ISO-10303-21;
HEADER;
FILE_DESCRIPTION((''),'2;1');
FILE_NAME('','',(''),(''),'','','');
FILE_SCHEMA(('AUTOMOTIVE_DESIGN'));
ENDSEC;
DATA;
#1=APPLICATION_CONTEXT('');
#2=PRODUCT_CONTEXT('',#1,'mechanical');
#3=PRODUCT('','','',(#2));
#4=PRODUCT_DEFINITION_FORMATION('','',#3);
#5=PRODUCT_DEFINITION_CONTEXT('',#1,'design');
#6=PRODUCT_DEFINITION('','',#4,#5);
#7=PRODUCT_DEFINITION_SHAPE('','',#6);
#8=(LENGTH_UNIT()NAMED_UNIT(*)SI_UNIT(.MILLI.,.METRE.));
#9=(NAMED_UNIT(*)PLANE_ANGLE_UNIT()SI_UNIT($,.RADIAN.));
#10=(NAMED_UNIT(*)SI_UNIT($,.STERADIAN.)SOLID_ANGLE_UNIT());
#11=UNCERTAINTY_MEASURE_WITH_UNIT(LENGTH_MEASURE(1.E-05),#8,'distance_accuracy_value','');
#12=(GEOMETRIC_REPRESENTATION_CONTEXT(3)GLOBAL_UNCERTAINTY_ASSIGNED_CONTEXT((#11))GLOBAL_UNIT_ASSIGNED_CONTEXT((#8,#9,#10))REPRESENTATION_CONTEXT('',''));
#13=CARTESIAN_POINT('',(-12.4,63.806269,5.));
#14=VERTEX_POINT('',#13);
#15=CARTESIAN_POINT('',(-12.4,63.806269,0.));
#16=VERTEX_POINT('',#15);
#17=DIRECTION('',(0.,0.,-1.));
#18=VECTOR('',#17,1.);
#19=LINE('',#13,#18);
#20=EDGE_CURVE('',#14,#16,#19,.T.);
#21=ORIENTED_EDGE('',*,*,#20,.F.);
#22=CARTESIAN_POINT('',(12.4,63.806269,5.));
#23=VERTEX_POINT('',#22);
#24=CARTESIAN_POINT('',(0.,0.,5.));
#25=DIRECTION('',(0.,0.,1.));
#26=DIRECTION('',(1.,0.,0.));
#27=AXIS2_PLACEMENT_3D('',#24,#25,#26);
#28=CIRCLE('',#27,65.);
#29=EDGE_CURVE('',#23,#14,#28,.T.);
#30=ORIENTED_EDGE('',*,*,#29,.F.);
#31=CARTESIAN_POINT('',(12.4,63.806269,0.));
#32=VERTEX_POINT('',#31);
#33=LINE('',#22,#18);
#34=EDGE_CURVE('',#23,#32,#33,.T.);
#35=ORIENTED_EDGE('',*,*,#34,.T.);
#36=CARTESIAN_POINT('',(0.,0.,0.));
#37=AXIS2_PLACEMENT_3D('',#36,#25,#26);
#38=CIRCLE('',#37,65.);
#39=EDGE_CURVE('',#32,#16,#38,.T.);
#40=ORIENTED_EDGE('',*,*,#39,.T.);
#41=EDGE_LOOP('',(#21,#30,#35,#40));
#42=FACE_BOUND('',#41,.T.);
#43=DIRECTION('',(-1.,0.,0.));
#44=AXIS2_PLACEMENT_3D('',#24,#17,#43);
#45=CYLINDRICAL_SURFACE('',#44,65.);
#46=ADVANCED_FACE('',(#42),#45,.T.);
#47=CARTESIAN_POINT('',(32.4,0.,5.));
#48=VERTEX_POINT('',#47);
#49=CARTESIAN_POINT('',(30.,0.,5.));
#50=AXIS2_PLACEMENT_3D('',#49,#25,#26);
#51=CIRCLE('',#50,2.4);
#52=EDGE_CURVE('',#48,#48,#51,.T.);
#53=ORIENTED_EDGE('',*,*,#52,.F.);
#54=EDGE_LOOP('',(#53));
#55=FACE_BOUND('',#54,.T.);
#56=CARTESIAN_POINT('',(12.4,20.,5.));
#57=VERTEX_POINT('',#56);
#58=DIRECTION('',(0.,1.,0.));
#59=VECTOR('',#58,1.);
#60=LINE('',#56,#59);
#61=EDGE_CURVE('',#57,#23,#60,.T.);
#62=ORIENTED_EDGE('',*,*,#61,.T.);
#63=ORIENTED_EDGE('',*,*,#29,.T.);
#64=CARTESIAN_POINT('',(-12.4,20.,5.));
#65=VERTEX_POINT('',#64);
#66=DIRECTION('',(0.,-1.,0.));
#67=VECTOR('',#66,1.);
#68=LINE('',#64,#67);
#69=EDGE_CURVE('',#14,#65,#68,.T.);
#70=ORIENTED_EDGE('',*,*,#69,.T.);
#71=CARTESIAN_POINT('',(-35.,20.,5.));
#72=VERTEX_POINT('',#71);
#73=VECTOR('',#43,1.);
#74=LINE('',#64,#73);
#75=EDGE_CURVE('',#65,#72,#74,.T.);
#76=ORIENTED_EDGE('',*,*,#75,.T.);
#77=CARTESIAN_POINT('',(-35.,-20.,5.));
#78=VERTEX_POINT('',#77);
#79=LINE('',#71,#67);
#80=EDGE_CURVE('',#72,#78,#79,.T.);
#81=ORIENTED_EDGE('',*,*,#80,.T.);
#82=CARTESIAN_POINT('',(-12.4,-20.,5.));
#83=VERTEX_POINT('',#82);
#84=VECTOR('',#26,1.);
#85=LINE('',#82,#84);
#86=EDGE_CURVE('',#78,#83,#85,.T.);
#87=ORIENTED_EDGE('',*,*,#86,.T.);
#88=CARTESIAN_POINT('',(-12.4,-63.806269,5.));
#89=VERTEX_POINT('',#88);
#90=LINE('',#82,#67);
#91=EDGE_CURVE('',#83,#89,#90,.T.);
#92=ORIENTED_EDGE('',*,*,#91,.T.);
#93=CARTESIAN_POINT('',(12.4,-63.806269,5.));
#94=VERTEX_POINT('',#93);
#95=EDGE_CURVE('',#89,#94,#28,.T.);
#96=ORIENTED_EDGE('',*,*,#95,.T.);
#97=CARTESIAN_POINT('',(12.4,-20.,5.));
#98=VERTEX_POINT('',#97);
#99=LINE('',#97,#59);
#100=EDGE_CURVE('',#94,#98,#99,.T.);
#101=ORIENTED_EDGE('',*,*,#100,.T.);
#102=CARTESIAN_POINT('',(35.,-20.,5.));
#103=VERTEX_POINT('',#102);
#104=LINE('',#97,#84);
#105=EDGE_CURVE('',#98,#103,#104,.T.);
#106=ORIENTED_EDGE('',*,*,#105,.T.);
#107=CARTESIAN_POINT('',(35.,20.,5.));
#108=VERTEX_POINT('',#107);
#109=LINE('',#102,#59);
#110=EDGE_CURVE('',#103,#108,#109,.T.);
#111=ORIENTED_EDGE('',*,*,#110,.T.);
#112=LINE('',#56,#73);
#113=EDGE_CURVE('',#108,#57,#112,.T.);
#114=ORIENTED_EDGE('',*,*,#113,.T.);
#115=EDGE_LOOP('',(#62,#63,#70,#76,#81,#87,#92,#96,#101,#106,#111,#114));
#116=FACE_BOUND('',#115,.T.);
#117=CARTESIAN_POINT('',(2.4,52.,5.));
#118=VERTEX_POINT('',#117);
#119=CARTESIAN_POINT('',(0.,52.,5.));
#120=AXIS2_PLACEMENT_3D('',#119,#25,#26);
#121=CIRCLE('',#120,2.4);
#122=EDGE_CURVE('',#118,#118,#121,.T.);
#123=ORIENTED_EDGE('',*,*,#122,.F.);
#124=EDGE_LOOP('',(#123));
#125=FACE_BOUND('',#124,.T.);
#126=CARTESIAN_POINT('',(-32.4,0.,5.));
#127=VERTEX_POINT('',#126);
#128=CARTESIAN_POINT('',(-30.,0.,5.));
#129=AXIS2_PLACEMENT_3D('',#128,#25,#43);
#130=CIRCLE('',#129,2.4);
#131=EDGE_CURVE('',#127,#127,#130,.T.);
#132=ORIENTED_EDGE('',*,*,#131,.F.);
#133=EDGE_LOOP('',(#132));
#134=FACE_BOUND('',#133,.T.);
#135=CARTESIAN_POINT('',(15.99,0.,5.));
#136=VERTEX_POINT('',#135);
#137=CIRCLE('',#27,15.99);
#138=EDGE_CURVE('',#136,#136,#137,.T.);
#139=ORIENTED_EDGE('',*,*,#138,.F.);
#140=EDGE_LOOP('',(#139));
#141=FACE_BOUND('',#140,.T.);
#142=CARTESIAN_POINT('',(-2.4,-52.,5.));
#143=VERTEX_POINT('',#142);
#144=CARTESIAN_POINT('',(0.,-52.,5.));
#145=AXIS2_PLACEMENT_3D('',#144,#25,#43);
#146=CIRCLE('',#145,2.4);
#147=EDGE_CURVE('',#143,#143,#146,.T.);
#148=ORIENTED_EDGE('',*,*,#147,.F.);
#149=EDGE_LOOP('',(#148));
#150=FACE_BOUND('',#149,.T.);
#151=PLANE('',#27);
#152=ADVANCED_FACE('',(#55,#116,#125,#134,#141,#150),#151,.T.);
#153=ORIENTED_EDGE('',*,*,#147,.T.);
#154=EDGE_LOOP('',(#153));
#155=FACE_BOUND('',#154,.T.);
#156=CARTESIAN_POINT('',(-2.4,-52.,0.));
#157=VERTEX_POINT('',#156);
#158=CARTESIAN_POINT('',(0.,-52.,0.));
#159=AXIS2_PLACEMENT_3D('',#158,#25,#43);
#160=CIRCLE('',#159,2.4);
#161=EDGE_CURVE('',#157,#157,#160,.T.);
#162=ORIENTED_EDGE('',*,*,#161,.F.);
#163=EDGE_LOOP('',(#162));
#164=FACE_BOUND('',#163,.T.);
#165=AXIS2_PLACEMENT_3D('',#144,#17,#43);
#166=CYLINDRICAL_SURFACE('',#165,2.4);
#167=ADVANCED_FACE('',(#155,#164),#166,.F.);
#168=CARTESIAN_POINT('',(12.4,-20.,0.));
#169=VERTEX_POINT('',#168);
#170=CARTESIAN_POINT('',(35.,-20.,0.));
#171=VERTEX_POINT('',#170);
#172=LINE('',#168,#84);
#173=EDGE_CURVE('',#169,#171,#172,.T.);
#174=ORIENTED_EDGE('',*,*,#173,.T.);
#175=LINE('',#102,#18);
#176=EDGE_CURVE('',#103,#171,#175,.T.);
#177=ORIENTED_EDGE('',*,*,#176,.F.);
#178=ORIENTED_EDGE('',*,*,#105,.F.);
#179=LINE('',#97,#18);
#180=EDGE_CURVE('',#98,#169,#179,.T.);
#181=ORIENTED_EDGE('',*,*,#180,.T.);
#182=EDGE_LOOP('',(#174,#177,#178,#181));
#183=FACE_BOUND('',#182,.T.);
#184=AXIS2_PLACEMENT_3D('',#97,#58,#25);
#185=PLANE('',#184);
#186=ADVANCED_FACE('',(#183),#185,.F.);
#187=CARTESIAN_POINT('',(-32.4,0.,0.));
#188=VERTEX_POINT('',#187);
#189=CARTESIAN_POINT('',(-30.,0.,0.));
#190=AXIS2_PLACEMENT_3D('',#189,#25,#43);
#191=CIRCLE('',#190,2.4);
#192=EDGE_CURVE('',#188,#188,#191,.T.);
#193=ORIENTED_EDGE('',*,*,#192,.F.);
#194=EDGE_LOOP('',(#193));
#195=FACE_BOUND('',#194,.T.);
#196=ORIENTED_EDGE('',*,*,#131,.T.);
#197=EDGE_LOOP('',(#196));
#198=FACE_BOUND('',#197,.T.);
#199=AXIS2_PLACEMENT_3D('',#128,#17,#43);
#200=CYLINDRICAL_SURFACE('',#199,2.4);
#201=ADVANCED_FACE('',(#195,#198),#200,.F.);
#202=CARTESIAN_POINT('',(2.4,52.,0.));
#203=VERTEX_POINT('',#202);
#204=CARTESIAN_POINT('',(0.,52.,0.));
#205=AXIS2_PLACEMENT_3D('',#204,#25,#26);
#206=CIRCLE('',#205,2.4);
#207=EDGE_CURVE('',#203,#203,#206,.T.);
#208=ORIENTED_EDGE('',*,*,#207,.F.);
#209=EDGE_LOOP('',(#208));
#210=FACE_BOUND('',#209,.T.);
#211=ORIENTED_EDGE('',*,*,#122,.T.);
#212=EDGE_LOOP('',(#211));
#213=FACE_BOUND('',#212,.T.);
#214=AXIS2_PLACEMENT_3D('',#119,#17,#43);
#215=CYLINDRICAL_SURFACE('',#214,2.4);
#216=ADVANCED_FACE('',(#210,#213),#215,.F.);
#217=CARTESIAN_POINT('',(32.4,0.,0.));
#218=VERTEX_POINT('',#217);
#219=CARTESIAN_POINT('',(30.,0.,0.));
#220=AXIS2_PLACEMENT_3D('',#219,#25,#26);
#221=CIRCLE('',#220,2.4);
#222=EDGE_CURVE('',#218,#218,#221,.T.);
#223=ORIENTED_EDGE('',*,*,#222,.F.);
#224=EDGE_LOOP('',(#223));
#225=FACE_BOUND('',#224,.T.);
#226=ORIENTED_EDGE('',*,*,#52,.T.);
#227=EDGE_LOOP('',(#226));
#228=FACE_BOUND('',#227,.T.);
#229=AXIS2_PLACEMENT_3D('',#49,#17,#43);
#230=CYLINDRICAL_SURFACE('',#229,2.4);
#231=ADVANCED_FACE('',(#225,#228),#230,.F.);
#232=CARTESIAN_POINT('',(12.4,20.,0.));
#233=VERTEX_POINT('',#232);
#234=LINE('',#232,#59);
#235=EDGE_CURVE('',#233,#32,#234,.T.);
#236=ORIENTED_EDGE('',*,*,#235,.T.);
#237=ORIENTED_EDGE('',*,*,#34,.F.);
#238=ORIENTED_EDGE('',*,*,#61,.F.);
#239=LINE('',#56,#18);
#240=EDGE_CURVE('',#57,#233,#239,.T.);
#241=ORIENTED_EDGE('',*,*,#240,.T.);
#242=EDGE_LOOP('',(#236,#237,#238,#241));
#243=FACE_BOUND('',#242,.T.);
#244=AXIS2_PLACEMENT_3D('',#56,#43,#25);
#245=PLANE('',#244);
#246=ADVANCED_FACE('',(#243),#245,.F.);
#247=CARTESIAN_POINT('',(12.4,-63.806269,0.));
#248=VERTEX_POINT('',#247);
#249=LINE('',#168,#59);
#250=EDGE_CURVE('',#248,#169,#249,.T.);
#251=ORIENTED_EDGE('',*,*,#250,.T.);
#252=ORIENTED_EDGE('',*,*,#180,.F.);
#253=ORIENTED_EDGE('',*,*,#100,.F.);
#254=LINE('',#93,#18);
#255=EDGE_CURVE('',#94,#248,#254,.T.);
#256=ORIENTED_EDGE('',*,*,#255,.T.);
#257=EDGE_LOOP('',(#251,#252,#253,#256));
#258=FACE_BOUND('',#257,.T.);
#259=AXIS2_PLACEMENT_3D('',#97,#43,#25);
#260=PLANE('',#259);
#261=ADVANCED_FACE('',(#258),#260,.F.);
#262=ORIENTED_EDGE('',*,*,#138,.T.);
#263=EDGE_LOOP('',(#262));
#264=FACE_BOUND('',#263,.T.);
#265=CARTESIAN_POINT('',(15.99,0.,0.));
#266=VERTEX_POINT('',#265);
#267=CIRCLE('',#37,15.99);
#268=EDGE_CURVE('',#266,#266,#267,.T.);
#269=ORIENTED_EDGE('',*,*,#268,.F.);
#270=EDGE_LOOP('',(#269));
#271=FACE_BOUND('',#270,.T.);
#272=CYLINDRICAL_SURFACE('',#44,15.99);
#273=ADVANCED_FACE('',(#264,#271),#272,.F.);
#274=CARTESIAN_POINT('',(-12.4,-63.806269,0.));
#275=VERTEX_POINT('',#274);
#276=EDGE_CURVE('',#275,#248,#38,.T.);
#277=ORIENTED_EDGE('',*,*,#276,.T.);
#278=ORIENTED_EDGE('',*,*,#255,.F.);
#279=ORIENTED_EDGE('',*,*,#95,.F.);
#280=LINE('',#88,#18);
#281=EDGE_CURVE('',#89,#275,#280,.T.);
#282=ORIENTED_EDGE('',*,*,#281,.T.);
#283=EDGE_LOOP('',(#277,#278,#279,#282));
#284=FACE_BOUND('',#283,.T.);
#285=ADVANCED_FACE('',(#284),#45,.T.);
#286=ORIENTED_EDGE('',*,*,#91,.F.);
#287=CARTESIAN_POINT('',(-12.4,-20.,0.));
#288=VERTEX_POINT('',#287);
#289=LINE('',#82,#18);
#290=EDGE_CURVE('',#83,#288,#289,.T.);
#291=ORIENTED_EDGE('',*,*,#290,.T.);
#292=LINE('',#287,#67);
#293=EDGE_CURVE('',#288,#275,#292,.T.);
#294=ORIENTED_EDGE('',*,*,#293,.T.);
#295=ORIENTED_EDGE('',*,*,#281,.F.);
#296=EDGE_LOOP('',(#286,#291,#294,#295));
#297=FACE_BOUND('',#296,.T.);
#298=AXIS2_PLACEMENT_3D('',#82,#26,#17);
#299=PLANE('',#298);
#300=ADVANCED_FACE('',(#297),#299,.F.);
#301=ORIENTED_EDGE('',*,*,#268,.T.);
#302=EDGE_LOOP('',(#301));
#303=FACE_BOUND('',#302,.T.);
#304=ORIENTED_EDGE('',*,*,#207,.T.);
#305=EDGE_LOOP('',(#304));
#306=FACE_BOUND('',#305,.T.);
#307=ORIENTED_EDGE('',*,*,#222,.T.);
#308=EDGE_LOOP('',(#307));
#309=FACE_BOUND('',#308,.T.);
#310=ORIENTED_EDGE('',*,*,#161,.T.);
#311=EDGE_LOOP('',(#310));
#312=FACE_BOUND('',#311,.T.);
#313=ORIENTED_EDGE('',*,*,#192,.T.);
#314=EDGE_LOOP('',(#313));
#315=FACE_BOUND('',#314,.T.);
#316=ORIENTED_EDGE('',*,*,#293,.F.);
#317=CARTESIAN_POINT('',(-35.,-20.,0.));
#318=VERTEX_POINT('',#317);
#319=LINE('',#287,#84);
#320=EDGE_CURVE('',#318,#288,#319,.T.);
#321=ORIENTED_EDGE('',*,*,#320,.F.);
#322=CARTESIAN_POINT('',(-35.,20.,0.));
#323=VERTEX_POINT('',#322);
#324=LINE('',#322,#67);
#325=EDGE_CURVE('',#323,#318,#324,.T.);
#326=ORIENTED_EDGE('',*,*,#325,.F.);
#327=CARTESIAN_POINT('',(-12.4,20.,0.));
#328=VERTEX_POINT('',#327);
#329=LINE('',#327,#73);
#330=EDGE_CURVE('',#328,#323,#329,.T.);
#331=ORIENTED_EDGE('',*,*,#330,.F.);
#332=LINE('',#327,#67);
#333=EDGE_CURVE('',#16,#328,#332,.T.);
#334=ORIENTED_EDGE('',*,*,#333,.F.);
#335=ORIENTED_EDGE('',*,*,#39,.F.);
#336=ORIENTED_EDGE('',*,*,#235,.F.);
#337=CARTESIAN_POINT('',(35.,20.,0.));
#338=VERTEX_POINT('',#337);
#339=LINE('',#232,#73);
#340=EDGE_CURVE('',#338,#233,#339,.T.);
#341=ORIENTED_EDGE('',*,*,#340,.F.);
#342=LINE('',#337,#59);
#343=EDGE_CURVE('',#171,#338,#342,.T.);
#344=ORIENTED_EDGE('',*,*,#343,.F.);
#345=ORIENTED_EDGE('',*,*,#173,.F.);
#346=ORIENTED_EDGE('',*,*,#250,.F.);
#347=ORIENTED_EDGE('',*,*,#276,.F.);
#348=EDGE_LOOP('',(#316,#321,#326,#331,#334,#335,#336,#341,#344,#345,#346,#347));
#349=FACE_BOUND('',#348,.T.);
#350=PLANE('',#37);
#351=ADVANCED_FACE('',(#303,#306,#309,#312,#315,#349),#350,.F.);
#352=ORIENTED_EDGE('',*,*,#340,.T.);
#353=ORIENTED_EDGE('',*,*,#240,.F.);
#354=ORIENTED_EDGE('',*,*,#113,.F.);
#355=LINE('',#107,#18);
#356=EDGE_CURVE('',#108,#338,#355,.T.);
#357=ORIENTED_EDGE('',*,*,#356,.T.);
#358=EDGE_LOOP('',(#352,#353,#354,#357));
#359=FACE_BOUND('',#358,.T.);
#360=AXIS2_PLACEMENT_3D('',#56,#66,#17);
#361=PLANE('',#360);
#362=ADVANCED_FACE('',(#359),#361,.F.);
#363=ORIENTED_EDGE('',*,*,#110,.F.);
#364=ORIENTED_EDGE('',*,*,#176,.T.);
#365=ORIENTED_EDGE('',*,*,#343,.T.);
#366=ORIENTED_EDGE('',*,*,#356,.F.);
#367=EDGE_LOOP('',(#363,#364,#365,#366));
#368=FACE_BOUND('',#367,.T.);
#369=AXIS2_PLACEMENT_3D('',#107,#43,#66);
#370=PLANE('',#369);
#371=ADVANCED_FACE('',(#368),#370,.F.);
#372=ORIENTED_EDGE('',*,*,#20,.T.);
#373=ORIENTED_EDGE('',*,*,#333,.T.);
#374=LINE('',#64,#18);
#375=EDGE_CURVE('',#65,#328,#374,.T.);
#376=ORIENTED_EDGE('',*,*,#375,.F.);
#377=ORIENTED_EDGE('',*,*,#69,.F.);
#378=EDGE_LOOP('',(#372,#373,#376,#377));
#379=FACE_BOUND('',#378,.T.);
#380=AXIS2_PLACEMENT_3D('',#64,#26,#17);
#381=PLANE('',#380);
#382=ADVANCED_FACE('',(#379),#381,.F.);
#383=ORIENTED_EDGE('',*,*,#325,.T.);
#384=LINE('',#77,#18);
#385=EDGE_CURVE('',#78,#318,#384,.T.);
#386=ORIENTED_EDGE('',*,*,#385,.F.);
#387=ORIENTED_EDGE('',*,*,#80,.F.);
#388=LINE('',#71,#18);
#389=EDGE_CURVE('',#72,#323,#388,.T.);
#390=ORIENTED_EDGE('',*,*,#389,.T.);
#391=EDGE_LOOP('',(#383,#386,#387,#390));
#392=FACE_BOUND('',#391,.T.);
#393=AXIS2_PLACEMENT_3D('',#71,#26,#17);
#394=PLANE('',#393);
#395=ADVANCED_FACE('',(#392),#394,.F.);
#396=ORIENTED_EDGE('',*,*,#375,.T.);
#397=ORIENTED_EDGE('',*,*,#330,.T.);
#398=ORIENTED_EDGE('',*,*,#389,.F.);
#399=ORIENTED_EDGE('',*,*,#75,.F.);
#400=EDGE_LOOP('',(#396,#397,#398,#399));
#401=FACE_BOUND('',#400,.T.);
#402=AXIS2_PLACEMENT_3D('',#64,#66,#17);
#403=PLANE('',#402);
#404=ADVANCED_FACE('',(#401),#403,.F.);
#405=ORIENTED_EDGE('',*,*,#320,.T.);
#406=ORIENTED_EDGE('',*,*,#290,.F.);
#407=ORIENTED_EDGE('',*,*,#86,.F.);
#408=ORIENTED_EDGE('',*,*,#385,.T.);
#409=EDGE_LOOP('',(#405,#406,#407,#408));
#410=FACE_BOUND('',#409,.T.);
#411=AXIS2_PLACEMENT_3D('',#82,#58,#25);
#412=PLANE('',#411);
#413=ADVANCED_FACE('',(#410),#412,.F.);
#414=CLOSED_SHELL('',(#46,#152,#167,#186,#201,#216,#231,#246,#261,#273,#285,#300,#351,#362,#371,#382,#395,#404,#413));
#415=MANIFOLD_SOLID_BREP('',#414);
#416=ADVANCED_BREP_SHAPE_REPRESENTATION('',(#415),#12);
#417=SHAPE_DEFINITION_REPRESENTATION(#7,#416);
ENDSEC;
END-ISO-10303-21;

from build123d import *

# Parameters (mm, degrees)
SKETCH1_R           = 15.99
SKETCH1_R_2         = 2.4
BOSS_EXTRUDE1_DEPTH = 5


with BuildPart() as part:
    # Sketch1 → Boss-Extrude1 (new body)
    with BuildSketch(Plane.XY):
        with BuildLine():
            Line((12.4, 20), (35, 20))
            Line((35, 20), (35, 0))
            Line((35, 0), (35, -20))
            Line((35, -20), (12.4, -20))
            Line((12.4, -20), (12.4, -63.806269284))
            ThreePointArc((12.4, -63.806269284), (0, -65), (-12.4, -63.806269284))
            Line((-12.4, -63.806269284), (-12.4, -20))
            Line((-12.4, -20), (-35, -20))
            Line((-35, -20), (-35, 20))
            Line((-35, 20), (-12.4, 20))
            Line((-12.4, 20), (-12.4, 63.806269284))
            ThreePointArc((-12.4, 63.806269284), (0, 65), (12.4, 63.806269284))
            Line((12.4, 63.806269284), (12.4, 20))
        make_face()
        Circle(SKETCH1_R, mode=Mode.SUBTRACT)
        with Locations((0, 52)):
            Circle(SKETCH1_R_2, mode=Mode.SUBTRACT)
        with Locations((30, 0)):
            Circle(SKETCH1_R_2, mode=Mode.SUBTRACT)
        with Locations(Location((0, -52, 0), (0, 0, 180))):
            Circle(SKETCH1_R_2, mode=Mode.SUBTRACT)
        with Locations(Location((-30, 0, 0), (0, 0, 180))):
            Circle(SKETCH1_R_2, mode=Mode.SUBTRACT)
    extrude(amount=BOSS_EXTRUDE1_DEPTH)


solid = part.part
